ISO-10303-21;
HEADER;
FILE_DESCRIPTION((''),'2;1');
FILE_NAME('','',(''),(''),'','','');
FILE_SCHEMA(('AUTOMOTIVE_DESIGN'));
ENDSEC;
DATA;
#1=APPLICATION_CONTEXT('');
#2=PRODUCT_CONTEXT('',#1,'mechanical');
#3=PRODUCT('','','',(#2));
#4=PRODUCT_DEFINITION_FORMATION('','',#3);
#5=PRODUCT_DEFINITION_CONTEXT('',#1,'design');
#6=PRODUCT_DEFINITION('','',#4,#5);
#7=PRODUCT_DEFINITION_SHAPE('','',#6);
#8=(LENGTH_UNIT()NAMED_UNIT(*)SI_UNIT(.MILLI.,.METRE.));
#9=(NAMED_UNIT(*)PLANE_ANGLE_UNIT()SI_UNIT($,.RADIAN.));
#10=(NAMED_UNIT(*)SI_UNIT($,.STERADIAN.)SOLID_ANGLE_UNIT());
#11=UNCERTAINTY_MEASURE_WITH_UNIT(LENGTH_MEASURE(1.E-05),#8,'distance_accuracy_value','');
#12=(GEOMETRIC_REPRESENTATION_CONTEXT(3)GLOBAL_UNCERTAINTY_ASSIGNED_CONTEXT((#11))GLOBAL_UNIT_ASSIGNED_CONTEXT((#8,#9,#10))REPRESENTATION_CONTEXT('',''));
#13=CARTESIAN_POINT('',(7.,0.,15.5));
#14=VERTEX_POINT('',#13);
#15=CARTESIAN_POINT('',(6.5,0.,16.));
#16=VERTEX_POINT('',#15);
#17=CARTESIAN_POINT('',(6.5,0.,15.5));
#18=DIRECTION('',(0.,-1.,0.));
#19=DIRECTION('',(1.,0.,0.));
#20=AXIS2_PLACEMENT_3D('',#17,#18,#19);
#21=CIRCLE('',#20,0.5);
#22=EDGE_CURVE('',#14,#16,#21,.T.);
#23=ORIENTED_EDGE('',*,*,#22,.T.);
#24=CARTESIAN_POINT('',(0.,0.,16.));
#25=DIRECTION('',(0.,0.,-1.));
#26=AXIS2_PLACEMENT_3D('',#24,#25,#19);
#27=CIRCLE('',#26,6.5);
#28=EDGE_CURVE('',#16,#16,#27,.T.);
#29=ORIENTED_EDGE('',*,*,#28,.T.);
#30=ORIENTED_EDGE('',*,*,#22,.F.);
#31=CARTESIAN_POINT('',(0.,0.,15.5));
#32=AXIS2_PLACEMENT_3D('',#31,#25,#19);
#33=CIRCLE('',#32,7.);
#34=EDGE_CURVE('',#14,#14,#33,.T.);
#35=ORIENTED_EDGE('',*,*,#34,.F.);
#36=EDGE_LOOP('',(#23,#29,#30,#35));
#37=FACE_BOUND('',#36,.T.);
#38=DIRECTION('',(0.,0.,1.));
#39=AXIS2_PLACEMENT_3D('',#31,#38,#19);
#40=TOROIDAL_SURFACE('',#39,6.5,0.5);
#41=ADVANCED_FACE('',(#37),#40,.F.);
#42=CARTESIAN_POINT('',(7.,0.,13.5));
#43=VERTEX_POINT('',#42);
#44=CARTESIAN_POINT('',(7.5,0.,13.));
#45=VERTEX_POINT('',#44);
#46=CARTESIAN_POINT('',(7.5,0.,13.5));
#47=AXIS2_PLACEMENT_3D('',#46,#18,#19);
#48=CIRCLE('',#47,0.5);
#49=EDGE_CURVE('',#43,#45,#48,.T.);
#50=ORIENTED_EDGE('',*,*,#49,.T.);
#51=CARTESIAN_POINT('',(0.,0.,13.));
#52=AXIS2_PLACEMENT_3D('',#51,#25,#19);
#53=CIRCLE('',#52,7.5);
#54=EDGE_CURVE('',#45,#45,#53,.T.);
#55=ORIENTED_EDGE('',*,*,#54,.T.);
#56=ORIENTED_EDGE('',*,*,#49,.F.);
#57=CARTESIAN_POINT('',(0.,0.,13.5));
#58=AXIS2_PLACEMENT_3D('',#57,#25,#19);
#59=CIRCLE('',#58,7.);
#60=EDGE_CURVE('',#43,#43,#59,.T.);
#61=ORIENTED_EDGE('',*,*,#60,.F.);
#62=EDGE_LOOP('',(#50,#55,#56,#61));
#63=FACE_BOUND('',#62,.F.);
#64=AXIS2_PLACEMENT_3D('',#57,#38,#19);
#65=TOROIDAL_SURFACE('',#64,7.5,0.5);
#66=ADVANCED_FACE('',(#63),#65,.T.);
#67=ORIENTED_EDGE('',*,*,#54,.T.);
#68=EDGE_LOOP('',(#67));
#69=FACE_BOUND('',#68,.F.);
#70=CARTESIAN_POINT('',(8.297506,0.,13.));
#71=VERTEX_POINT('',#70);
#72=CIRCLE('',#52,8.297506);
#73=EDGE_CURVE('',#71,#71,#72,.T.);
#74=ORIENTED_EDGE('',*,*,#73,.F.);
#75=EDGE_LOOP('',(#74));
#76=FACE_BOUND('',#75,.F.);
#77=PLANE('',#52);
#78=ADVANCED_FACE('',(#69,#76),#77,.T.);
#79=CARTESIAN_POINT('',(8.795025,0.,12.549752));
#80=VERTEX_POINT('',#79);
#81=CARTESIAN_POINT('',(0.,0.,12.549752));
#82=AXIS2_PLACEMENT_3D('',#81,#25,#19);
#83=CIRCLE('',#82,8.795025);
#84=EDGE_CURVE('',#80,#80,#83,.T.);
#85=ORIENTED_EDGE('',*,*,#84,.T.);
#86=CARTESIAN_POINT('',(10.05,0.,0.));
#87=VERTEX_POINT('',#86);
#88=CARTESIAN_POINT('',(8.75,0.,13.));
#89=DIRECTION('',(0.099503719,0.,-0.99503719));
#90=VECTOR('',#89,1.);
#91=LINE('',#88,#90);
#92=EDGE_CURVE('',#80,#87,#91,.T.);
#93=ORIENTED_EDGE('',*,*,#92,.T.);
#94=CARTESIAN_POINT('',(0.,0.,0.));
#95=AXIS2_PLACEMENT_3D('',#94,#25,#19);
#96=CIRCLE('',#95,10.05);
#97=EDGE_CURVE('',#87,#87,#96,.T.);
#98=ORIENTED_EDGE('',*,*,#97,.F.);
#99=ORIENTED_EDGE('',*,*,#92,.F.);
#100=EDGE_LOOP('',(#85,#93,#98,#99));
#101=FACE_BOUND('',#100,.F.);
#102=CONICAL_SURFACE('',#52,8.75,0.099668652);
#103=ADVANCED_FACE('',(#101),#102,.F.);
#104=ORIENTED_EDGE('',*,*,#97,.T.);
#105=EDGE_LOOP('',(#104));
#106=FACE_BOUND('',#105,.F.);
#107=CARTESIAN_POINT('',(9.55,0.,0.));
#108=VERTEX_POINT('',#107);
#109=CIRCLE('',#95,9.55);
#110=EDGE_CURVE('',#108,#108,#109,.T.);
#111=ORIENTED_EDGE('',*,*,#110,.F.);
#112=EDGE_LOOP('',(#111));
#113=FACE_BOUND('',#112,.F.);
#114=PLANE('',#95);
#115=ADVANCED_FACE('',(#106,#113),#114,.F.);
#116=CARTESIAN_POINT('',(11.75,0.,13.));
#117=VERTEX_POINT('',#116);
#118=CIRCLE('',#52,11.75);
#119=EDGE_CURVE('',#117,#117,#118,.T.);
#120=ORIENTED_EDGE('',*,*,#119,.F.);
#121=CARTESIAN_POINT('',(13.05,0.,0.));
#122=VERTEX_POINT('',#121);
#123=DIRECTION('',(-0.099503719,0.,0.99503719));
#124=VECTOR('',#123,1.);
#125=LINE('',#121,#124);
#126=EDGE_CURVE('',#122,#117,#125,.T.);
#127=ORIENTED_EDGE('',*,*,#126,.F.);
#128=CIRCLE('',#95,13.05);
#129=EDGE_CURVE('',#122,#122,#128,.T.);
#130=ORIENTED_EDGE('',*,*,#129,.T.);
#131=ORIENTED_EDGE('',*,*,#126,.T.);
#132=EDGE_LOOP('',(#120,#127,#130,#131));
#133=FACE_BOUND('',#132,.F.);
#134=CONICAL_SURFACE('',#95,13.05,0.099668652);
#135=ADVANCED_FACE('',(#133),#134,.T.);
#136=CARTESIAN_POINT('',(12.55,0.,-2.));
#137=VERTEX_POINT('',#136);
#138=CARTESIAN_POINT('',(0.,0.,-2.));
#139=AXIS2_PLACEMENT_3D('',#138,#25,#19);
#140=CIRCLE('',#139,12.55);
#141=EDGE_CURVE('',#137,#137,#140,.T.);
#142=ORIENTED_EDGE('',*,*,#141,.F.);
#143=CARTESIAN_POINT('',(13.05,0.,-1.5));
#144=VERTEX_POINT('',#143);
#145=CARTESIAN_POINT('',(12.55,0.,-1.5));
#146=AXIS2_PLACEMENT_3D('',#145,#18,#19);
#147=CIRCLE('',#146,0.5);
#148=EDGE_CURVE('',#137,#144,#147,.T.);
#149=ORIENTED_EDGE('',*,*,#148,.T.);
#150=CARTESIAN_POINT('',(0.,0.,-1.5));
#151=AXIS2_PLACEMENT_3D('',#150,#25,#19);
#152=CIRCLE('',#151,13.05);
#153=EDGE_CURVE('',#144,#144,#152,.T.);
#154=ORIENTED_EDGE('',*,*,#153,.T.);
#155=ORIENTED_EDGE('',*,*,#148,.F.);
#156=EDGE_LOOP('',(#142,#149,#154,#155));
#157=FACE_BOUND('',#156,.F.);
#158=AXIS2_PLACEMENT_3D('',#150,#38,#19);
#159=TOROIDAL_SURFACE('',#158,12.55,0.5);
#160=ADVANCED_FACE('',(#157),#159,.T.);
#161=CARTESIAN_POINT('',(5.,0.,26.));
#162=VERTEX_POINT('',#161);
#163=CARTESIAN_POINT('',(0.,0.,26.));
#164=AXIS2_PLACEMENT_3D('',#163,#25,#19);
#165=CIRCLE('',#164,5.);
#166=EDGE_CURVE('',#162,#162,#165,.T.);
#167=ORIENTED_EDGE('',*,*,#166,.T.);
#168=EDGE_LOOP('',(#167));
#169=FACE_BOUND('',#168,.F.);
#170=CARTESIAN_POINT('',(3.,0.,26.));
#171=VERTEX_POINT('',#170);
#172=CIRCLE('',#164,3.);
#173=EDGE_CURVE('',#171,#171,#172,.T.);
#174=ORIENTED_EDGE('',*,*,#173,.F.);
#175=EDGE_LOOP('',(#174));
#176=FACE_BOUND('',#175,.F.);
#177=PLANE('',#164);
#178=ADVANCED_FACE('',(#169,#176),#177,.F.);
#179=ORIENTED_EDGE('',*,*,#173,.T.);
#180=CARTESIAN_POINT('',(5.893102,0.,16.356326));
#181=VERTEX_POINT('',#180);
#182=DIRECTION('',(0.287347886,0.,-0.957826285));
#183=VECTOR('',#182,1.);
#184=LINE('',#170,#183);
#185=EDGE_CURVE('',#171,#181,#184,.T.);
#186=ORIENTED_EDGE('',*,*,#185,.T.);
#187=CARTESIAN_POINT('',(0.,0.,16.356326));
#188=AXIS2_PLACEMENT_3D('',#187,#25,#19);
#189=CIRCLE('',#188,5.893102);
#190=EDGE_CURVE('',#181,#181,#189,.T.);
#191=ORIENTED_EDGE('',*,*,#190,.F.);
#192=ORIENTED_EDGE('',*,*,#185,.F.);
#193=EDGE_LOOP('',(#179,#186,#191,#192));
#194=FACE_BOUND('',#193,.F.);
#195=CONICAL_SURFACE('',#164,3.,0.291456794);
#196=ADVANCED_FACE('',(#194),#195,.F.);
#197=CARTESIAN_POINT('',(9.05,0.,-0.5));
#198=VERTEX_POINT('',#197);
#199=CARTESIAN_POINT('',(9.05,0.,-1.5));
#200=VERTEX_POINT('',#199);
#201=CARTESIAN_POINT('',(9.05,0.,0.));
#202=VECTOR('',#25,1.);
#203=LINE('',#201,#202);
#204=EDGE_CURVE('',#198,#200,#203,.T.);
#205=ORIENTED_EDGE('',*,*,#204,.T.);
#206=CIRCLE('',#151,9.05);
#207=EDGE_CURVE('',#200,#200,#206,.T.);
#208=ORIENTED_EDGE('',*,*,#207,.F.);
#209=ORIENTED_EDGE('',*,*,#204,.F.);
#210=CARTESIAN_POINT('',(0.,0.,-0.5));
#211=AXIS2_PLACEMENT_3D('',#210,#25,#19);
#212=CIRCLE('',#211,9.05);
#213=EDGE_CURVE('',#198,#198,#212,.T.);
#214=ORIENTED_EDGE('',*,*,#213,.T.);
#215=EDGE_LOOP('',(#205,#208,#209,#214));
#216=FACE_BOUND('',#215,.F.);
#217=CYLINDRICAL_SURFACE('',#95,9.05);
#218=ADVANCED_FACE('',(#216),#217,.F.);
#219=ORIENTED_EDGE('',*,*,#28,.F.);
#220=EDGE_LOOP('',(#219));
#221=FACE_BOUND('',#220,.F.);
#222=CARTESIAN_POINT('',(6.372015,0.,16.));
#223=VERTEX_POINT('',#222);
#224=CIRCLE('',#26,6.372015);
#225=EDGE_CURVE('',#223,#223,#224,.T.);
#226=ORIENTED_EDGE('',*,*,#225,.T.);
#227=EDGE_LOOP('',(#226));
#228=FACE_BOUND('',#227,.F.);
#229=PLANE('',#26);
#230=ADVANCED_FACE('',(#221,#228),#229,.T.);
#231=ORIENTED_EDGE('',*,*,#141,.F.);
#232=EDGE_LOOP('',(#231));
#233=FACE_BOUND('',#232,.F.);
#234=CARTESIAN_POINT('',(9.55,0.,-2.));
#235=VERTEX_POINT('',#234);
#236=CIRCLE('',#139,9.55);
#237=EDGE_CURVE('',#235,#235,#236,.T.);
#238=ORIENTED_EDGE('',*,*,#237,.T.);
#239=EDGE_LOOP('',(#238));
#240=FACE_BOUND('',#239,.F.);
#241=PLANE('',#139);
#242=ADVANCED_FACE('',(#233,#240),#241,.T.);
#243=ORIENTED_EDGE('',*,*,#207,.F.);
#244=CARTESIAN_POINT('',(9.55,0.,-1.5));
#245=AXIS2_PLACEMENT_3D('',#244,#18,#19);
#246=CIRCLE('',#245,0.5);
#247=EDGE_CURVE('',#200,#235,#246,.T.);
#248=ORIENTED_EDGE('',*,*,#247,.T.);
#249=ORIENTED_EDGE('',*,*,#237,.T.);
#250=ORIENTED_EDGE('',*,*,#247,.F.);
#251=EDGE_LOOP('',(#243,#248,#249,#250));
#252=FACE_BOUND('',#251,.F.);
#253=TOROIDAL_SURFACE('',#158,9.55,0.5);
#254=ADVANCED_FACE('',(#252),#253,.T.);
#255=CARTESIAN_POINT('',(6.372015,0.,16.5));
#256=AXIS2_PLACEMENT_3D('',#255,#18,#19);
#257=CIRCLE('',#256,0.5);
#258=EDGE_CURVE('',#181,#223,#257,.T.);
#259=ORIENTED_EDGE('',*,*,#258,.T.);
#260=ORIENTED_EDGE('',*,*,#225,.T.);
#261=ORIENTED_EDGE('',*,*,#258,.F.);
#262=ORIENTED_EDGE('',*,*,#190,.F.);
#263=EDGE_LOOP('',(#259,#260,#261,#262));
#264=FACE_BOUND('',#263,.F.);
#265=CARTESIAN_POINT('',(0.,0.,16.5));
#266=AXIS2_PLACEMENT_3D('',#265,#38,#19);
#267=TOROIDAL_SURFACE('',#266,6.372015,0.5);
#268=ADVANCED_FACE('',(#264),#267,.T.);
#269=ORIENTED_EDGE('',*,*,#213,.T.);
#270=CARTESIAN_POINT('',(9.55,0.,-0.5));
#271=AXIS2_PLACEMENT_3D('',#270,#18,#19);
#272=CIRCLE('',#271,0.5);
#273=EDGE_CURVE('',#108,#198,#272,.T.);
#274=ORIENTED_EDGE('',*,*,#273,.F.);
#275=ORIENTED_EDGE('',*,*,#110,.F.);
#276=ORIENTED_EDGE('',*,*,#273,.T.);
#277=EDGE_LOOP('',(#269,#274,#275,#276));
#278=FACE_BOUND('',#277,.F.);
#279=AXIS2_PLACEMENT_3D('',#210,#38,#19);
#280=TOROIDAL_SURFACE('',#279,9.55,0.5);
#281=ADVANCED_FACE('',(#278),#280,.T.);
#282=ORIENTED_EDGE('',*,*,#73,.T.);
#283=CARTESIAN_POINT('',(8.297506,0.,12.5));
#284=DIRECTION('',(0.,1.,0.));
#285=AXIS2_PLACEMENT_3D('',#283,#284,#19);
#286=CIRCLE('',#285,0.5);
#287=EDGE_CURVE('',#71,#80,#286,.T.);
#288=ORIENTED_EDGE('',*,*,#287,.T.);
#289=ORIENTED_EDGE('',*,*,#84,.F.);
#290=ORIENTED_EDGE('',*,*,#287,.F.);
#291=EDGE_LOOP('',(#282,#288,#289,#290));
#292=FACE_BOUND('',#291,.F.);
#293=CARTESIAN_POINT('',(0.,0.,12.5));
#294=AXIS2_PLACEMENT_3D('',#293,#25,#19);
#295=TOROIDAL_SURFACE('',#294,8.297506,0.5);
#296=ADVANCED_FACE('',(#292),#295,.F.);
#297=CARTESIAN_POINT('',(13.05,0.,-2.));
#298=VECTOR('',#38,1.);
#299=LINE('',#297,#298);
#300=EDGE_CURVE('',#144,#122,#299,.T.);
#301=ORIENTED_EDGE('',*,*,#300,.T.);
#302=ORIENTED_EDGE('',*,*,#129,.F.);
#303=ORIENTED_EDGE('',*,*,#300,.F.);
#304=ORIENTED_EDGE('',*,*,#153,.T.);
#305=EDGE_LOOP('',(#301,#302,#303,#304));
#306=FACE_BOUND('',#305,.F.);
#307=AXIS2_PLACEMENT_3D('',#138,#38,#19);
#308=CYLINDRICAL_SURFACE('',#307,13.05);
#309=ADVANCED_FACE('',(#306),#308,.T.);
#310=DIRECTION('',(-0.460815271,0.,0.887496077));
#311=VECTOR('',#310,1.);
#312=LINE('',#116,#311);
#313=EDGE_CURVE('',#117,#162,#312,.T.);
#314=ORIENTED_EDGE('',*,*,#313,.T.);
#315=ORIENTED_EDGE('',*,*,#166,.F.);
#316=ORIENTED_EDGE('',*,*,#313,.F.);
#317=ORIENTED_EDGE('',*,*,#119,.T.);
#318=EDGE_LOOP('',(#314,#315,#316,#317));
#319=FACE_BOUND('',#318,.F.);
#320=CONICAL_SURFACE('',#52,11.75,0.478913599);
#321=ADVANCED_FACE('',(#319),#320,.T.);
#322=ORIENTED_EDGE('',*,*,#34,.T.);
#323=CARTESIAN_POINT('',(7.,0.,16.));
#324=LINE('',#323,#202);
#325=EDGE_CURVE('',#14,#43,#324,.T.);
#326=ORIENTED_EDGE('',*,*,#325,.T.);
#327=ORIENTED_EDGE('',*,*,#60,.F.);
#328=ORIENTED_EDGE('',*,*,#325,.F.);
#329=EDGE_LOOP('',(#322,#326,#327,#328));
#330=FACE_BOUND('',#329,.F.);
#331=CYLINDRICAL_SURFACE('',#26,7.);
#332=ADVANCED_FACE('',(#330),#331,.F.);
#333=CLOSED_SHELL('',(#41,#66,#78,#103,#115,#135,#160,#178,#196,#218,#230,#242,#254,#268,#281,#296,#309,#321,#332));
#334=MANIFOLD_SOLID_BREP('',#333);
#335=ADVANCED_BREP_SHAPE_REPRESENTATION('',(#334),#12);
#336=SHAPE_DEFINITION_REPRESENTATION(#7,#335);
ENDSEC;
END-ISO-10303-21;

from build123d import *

# Parameters (mm, degrees)
F2_R = 0.5


with BuildPart() as f1:
    # F0 (on Front) → F1 (revolve)
    with BuildSketch(Plane.XZ):
        Polygon((7, 16), (7, 13), (8.75, 13), (10.05, 0), (9.05, 0), (9.05, -2), (13.05, -2), (13.05, 0), (11.75, 13), (5, 26), (3, 26), (6, 16), align=None)
    revolve(axis=Axis((0, 0, 10.544424), (0, 0, -1)))

    # F2
    f2_edges = [f1.edges().sort_by_distance(p)[0] for p in [
        (-13.05, 0, -2),
        (-9.05, 0, -2),
        (-9.05, 0, 0),
        (-8.75, 0, 13),
        (-7, 0, 13),
        (-7, 0, 16),
        (-6, 0, 16),
    ]]
    fillet(f2_edges, radius=F2_R)


solid = f1.part
